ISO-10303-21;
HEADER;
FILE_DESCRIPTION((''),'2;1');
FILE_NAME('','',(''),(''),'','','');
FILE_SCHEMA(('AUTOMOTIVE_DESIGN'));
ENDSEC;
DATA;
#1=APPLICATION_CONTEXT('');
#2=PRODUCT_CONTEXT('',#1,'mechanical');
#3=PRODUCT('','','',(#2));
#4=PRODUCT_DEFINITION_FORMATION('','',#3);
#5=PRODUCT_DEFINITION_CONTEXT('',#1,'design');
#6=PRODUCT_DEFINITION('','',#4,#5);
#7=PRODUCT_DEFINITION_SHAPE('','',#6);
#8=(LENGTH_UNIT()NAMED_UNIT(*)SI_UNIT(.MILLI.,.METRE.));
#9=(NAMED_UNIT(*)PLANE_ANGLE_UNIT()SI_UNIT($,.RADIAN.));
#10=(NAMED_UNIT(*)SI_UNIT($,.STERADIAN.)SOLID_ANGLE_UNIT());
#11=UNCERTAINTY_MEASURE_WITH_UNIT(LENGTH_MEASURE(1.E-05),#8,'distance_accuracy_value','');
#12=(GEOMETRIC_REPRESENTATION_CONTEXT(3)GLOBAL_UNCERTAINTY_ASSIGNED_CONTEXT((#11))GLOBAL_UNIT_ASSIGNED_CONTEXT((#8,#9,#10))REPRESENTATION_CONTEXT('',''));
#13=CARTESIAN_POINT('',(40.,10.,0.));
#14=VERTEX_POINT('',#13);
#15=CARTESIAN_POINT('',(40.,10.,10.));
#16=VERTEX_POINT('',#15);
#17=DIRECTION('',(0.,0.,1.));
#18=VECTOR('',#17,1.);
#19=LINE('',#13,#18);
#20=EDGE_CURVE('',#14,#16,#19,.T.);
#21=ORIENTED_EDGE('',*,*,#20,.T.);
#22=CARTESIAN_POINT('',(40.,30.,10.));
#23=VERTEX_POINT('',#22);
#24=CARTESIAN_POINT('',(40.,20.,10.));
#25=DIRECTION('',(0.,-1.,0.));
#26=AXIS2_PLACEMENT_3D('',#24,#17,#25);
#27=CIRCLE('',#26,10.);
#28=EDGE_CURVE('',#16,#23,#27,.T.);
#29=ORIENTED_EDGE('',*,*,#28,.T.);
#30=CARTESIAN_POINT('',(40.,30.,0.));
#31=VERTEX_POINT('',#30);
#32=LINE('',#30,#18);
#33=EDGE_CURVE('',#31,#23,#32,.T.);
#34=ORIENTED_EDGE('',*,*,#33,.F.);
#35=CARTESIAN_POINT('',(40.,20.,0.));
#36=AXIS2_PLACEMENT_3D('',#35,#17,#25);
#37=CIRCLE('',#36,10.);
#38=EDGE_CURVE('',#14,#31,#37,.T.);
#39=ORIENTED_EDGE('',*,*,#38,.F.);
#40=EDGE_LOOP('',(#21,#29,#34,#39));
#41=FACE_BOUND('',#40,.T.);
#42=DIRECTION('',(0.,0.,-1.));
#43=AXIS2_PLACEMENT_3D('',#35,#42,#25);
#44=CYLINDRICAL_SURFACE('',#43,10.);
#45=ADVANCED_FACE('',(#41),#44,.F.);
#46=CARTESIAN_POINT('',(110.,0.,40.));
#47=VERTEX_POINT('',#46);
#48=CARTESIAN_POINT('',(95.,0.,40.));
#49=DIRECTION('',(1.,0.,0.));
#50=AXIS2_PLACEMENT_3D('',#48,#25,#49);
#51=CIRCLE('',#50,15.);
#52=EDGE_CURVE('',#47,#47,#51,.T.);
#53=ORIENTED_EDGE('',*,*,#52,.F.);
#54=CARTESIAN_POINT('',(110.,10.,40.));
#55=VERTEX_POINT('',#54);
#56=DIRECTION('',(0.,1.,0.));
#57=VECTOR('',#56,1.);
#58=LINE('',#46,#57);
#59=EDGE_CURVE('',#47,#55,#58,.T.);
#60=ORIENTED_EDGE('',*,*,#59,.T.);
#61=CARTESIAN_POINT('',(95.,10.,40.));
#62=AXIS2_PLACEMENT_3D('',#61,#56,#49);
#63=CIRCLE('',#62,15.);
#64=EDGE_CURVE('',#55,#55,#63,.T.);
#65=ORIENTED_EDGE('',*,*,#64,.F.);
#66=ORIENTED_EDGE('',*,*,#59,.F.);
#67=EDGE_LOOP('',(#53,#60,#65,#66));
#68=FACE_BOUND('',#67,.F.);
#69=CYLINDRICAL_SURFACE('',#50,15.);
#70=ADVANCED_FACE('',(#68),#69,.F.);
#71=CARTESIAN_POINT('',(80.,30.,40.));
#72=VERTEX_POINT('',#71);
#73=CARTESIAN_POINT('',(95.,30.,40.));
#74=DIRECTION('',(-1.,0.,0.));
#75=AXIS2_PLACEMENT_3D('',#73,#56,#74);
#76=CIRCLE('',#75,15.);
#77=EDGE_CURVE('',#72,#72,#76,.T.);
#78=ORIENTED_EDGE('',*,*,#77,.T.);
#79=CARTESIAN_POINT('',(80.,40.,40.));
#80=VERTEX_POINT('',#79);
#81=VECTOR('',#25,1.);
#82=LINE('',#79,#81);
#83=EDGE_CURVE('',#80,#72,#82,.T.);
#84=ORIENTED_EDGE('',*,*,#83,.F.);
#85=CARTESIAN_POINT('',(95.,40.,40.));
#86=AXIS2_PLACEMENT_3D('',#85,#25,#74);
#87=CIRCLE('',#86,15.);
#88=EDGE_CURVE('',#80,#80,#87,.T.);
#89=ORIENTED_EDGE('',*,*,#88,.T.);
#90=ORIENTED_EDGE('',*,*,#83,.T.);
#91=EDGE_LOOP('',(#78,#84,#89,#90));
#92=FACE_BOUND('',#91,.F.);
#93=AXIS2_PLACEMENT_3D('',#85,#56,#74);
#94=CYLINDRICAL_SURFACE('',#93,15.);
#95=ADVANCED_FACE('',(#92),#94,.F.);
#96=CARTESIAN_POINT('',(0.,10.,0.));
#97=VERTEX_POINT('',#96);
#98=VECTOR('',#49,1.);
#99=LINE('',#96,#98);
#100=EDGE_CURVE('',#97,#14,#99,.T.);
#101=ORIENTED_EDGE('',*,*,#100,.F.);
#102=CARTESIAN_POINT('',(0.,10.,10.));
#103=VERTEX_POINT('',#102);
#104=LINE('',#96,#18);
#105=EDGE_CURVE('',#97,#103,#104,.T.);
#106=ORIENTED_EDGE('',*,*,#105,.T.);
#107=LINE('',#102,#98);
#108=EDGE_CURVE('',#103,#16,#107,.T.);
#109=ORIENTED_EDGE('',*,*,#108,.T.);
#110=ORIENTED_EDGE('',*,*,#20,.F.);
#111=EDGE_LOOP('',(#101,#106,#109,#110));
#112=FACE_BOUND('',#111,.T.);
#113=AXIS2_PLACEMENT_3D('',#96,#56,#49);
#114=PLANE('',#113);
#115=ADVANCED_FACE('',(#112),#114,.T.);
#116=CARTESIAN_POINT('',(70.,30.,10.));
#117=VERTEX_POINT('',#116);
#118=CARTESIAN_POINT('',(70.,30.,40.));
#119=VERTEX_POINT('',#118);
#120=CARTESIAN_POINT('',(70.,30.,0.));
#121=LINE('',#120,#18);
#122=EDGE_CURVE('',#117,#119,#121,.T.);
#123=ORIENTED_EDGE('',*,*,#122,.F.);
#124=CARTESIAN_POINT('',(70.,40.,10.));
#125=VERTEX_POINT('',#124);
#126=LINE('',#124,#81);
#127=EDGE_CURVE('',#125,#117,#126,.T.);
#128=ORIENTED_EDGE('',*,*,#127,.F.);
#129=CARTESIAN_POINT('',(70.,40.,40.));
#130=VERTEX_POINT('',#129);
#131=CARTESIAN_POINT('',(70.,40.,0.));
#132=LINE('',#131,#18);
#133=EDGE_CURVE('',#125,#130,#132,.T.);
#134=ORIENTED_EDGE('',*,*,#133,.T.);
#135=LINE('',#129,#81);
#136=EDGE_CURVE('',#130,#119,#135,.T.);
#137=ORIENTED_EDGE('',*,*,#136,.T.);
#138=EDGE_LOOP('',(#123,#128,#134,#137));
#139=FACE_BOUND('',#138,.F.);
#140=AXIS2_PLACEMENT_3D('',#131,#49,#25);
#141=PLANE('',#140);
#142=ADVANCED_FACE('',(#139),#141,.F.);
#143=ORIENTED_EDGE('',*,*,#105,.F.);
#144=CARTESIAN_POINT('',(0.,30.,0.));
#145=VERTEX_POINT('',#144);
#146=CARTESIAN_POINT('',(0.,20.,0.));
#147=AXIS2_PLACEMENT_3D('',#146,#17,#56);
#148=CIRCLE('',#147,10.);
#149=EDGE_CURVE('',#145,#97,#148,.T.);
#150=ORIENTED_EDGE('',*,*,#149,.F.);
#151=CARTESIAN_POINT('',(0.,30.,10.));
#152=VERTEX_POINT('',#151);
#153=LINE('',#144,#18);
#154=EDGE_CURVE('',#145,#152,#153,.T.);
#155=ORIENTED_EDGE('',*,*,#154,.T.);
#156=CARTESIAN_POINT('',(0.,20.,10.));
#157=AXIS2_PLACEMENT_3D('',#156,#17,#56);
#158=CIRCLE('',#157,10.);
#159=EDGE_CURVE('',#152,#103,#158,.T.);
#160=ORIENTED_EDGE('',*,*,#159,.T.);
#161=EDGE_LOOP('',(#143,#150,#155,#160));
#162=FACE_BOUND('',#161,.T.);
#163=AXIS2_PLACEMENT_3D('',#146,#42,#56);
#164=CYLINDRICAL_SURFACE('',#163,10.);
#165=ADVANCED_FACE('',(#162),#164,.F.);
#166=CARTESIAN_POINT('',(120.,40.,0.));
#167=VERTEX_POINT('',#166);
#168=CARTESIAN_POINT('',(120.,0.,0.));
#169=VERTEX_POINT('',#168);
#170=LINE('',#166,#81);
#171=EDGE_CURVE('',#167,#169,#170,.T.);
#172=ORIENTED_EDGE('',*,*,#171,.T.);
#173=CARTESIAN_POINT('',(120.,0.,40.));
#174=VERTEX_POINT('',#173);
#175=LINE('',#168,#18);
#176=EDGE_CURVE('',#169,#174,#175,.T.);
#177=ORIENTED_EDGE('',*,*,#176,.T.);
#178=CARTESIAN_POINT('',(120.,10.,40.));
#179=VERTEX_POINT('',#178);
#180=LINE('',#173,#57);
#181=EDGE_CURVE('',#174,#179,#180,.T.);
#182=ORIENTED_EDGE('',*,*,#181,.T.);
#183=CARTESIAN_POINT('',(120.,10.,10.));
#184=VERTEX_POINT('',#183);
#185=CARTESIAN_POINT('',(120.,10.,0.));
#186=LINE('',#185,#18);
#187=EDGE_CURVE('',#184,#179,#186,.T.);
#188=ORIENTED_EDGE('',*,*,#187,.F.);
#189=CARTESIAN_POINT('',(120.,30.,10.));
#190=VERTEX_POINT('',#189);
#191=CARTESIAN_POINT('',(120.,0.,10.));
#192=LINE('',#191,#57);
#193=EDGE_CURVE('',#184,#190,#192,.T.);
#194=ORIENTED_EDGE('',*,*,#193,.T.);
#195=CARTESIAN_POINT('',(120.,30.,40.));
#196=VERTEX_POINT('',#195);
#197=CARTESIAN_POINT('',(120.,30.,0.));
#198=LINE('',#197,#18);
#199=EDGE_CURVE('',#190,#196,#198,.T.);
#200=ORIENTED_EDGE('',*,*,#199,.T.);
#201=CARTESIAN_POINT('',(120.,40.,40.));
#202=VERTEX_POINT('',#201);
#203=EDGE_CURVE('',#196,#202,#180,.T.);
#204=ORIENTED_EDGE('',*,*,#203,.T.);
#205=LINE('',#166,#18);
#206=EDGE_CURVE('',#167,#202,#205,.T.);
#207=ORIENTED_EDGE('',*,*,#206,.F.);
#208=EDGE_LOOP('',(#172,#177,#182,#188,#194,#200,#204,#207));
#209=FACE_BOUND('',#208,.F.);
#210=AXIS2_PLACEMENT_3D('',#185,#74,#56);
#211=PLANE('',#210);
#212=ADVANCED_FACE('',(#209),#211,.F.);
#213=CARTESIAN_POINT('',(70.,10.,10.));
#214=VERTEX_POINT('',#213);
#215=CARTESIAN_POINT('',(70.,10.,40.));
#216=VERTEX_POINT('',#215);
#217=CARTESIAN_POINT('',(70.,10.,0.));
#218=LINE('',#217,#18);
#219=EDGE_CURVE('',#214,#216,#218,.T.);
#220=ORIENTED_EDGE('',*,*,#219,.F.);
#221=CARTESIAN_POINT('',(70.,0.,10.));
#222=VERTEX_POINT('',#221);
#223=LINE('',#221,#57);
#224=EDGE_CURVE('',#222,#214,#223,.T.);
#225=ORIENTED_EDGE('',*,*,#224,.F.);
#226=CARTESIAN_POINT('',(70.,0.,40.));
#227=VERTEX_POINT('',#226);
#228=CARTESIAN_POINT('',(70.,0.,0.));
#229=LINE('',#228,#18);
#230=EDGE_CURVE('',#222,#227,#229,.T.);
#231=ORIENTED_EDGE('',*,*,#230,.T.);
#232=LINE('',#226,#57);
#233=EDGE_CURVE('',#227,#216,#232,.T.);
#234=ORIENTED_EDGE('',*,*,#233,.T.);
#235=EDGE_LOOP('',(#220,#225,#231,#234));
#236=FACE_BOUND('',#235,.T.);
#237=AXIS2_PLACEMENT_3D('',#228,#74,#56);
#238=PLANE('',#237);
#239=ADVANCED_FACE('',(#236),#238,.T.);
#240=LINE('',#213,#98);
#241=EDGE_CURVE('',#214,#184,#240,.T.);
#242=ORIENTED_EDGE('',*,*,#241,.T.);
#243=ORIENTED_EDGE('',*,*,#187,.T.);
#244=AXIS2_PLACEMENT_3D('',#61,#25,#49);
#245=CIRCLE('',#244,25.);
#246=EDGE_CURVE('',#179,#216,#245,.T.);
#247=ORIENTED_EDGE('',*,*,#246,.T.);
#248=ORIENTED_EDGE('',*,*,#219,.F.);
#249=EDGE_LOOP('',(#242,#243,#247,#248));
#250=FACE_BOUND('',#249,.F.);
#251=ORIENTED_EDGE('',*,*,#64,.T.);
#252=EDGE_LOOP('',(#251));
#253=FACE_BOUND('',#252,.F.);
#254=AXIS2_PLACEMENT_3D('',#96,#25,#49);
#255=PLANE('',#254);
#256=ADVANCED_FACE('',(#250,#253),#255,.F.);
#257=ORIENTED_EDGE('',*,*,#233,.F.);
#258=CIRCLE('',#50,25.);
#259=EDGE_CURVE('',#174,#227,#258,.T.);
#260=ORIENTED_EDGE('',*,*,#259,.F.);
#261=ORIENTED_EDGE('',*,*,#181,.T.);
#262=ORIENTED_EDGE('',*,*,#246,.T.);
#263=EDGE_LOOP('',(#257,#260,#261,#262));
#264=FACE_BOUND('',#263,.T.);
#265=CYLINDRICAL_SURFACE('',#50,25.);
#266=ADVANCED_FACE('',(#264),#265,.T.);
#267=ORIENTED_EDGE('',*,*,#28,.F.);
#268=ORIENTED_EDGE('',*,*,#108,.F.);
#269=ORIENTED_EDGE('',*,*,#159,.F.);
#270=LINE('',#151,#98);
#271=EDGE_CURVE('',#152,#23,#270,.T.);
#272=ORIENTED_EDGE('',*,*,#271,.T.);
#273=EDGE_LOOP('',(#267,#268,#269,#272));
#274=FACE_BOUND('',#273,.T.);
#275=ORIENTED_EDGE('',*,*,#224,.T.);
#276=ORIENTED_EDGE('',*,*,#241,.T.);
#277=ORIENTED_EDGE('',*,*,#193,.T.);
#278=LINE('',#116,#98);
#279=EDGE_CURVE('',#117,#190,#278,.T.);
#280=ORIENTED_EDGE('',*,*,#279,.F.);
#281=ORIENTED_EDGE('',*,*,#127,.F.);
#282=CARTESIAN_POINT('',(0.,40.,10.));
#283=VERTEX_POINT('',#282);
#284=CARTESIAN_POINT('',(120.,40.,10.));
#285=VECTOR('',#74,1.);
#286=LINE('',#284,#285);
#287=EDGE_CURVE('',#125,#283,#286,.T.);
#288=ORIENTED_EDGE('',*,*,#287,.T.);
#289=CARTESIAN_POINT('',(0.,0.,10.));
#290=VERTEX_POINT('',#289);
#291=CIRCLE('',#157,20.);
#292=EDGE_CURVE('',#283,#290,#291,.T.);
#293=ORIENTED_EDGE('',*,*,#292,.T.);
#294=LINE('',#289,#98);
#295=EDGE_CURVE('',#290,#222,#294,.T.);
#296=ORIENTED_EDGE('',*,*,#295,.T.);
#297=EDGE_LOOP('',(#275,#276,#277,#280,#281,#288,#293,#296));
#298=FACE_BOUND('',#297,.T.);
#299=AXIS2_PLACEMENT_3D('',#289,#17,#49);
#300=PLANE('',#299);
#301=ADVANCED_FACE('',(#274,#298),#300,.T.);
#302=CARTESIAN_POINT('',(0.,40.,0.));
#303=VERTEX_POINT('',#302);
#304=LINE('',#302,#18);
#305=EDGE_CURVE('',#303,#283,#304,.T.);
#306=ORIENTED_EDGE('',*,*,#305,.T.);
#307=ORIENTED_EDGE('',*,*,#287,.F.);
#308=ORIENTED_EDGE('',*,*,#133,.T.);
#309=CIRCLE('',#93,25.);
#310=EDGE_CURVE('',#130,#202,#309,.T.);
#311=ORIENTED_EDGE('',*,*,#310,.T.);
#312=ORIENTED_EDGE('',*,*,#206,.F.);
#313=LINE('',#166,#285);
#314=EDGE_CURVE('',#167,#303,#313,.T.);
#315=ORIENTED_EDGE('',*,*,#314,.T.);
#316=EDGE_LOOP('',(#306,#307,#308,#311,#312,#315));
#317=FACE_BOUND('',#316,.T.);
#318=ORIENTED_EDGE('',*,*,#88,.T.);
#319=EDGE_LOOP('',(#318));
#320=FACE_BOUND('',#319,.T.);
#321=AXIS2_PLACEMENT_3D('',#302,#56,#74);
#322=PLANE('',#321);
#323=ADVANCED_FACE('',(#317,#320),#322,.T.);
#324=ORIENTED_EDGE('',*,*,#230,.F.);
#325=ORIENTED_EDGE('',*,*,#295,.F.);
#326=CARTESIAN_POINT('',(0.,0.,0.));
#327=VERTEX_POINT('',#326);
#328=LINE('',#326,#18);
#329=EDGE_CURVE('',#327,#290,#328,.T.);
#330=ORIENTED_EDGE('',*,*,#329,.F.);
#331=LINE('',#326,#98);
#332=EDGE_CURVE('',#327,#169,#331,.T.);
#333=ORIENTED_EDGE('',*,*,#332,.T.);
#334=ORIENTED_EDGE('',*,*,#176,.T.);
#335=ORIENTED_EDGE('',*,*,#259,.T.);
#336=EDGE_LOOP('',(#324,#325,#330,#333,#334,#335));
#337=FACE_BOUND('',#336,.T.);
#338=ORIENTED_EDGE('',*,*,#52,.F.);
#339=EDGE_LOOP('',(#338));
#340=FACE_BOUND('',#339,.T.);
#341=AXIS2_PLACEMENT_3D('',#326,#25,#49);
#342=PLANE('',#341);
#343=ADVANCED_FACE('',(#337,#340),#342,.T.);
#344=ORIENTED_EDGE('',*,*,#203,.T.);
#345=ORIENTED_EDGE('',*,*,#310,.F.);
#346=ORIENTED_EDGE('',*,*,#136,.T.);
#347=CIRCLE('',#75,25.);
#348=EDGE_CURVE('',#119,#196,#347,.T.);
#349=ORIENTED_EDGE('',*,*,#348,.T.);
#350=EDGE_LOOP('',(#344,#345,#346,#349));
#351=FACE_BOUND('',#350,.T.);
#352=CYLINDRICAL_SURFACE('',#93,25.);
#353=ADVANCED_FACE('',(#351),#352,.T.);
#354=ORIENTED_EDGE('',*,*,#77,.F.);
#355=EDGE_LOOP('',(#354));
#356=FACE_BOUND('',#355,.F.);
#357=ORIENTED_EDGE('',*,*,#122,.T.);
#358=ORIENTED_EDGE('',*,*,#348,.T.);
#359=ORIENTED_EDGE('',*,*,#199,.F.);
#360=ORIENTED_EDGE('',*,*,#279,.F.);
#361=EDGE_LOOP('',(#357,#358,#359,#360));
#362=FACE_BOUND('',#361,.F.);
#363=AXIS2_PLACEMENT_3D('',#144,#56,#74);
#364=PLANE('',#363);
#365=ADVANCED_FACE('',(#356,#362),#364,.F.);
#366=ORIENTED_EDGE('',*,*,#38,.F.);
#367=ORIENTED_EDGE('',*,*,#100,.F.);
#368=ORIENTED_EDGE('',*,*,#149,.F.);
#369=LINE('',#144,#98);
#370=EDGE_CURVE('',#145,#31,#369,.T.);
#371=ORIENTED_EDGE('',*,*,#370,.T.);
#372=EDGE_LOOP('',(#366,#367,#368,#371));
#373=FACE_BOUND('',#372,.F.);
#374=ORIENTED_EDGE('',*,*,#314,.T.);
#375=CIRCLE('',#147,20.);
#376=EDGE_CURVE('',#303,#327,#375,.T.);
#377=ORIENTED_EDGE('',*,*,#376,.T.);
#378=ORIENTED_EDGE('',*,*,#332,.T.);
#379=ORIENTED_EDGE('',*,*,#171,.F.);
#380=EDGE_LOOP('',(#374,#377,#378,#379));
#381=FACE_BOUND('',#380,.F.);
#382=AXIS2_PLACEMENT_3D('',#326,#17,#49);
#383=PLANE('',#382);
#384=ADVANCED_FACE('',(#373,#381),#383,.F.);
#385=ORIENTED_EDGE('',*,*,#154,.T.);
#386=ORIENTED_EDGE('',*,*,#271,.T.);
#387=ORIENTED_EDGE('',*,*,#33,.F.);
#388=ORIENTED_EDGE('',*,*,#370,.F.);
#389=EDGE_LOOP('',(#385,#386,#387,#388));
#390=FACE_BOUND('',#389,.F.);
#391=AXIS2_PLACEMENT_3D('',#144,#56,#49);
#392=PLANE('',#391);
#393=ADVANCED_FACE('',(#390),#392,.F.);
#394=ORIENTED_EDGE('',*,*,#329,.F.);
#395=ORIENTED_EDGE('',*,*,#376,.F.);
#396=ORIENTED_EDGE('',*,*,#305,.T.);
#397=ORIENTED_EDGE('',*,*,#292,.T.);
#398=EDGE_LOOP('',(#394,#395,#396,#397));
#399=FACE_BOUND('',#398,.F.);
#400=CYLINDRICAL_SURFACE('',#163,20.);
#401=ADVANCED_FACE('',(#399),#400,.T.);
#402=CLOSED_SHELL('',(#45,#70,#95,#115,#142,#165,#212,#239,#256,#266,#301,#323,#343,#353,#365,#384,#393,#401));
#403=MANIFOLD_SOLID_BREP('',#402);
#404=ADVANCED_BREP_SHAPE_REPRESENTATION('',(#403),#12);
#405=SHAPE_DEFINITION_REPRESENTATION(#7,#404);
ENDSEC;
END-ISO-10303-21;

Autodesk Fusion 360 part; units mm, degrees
sketch "Sketch1" plane through (0, 0, 0) normal (0, 0, 1) x (1, 0, 0)
  line L0 (0, 0) -> (120, 0)
  line L1 (120, 0) -> (120, 40)
  line L2 (120, 40) -> (0, 40)
  arc A0 (0, 40) -> (0, 0) centre (0, 20) ccw
  line L3 (120, 40) -> (70, 40)
  line L4 (70, 40) -> (70, 30)
  line L5 (70, 30) -> (120, 30)
  line L6 (120, 30) -> (120, 40)
  line L7 (120, 0) -> (70, 0)
  line L8 (70, 0) -> (70, 10)
  line L9 (70, 10) -> (120, 10)
  line L10 (120, 10) -> (120, 0)
  line L11 (0, 30) -> (40, 30)
  line L12 (0, 10) -> (40, 10)
  arc A1 (0, 30) -> (0, 10) centre (0, 20) ccw
  arc A2 (40, 10) -> (40, 30) centre (40, 20) ccw
  dimension "d1" = 120
  dimension "d2" = 40
  dimension "d3" = 50
  dimension "d4" = 10
  dimension "d5" = 50
  dimension "d6" = 10
  dimension "d7" = 20
  dimension "d8" = 40
  dimension "d9" = 20
extrude "Extrude1" add sketch "Sketch1" along normal blind 10 contours L0 L1 L2 A0 L4 L5 L8 L9
extrude "Extrude2" add sketch "Sketch1" along normal blind 40 contours L0 L1 L7 L8 L9 L10 | L1 L2 L3 L4 L5 L6
sketch "Sketch2" plane through (0, 0, 0) normal (0, -1, 0) x (1, 0, 0)
  line L0 (0, 0) -> (120, 0)
  line L1 (120, 0) -> (120, 40)
  line L2 (120, 40) -> (70, 40)
  line L3 (70, 40) -> (70, 10)
  line L4 (70, 10) -> (0, 10)
  line L5 (0, 10) -> (0, 0)
  circle A0 centre (95, 40) radius 15
  arc A1 (120, 40) -> (70, 40) centre (95, 40) ccw
  dimension "d14" = 30
  dimension "d15" = 50
extrude "Extrude3" add sketch "Sketch2" against normal blind 10 contours L2 A0 A1
extrude "Extrude4" cut sketch "Sketch2" against normal blind 10 contours L2 A0 picked at (96.1126, 35.1254)
sketch "Sketch3" plane through (0, 40, 0) normal (0, 1, 0) x (-1, 0, 0)
  line L0 (-120, 0) -> (0, 0)
  line L1 (0, 0) -> (0, 10)
  line L2 (0, 10) -> (-70, 10)
  line L3 (-70, 10) -> (-70, 40)
  line L4 (-70, 40) -> (-120, 40)
  line L5 (-120, 40) -> (-120, 0)
  circle A0 centre (-95, 40) radius 15
  arc A1 (-70, 40) -> (-120, 40) centre (-95, 40) ccw
  dimension "d20" = 30
  dimension "d21" = 50
extrude "Extrude5" cut sketch "Sketch3" against normal blind 10 contours L4 A0 picked at (-93.8874, 35.1254)
extrude "Extrude6" add sketch "Sketch3" against normal blind 10 contours L4 A0 A1
